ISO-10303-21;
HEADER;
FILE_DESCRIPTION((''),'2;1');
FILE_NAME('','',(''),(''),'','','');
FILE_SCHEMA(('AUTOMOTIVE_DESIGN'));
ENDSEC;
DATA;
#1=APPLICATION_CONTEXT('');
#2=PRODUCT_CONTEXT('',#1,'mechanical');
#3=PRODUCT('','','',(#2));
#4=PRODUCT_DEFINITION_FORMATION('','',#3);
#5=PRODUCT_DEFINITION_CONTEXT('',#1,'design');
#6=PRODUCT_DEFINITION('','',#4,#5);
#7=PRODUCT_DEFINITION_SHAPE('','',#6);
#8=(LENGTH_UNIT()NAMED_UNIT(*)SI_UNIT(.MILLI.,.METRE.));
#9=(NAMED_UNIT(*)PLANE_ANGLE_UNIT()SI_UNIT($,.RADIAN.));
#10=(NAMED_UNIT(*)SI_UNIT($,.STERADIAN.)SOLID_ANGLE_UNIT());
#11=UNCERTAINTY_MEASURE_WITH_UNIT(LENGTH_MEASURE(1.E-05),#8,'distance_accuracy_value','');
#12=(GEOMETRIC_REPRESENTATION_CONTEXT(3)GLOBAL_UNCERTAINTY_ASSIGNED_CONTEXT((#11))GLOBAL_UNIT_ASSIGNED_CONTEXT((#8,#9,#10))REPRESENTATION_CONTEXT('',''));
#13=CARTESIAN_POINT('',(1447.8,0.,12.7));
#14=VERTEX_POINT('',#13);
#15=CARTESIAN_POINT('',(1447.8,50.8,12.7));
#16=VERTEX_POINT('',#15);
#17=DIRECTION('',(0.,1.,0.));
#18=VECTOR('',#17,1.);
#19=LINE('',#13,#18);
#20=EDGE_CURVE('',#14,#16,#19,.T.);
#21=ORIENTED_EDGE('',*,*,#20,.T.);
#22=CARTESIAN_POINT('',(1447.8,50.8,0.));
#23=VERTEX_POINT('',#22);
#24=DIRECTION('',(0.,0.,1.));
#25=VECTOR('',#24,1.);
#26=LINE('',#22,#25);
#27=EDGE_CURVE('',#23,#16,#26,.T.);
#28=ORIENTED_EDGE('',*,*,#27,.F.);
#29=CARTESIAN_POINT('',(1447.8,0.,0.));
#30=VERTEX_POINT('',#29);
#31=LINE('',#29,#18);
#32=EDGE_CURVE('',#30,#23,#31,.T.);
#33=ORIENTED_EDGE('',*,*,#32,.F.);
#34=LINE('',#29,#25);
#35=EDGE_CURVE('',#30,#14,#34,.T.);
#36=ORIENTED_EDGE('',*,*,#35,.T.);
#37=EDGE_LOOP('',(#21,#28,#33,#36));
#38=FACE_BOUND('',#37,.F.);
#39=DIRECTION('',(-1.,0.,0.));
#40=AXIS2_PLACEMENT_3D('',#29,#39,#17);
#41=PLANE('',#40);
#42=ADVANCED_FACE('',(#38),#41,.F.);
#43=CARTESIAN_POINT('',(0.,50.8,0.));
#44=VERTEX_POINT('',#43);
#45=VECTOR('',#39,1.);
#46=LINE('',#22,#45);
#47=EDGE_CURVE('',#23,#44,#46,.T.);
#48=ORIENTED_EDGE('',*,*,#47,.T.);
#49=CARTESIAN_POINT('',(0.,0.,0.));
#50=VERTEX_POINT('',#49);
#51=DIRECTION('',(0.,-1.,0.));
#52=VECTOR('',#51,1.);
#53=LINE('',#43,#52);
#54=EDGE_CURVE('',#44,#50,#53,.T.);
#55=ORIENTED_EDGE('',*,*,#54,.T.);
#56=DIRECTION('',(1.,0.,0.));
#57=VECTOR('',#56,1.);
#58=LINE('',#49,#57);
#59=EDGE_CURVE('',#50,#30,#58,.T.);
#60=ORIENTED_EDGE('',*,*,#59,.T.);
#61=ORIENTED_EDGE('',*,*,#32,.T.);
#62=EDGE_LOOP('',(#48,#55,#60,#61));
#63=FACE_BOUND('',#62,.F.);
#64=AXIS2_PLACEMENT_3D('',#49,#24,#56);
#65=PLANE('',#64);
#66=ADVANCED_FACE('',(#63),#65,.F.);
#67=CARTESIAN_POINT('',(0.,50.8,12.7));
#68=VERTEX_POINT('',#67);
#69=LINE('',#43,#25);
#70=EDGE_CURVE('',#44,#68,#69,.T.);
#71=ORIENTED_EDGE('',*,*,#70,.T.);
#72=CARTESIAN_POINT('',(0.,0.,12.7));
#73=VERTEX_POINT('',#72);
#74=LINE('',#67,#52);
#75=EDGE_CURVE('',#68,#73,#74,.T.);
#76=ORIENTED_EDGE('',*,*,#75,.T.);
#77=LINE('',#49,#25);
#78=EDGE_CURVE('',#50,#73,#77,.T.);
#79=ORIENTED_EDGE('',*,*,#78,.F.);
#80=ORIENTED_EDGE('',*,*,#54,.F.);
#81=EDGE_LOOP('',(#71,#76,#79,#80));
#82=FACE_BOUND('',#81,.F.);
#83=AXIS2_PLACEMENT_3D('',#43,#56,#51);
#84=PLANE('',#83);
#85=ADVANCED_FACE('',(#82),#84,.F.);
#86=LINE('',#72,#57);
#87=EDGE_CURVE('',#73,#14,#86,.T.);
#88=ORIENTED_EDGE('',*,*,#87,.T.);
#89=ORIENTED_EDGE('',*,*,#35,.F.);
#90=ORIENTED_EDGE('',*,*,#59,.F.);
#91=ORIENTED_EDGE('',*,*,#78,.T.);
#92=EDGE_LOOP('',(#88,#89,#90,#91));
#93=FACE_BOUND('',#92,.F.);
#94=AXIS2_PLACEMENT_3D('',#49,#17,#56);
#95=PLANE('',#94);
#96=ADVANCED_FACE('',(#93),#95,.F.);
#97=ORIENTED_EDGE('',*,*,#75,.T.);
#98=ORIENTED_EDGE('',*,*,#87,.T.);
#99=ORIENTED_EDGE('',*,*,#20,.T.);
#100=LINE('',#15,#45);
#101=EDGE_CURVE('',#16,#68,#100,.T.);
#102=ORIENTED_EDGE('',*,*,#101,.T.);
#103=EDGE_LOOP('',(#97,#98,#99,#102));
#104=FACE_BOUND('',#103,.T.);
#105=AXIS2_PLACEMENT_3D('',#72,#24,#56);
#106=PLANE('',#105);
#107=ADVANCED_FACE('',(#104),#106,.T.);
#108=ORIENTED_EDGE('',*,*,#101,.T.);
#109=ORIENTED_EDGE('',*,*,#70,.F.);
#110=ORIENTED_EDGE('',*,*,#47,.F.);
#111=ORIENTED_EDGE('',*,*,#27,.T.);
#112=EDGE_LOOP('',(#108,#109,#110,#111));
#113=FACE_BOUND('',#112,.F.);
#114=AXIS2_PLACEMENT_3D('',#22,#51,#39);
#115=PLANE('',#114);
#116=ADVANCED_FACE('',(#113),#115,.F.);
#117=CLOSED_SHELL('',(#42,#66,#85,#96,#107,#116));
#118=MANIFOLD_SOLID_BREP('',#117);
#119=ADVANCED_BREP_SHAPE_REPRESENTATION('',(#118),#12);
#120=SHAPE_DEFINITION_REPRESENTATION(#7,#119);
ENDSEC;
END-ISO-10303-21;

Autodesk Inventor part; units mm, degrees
ref_plane "YZ Plane" through (0, 0, 0) normal (1, 0, 0) x (0, 1, 0)
ref_plane "XZ Plane" through (0, 0, 0) normal (0, 1, 0) x (-1, 0, 0)
ref_plane "XY Plane" through (0, 0, 0) normal (0, 0, 1) x (1, 0, 0)
sketch "Sketch1" plane through (0, 0, 0) normal (0, 0, 1) x (1, 0, 0)
  line L0 (0, 0) -> (1447.8, 0)
  line L1 (1447.8, 0) -> (1447.8, 50.8)
  line L2 (1447.8, 50.8) -> (0, 50.8)
  line L3 (0, 50.8) -> (0, 0)
  dimension "d0" = 1447.8
  dimension "d1" = 50.8
extrude "Extrusion1" add sketch "Sketch1" along normal blind 12.7
properties part number "bottom-guide" material "Wood (Cherry)"
